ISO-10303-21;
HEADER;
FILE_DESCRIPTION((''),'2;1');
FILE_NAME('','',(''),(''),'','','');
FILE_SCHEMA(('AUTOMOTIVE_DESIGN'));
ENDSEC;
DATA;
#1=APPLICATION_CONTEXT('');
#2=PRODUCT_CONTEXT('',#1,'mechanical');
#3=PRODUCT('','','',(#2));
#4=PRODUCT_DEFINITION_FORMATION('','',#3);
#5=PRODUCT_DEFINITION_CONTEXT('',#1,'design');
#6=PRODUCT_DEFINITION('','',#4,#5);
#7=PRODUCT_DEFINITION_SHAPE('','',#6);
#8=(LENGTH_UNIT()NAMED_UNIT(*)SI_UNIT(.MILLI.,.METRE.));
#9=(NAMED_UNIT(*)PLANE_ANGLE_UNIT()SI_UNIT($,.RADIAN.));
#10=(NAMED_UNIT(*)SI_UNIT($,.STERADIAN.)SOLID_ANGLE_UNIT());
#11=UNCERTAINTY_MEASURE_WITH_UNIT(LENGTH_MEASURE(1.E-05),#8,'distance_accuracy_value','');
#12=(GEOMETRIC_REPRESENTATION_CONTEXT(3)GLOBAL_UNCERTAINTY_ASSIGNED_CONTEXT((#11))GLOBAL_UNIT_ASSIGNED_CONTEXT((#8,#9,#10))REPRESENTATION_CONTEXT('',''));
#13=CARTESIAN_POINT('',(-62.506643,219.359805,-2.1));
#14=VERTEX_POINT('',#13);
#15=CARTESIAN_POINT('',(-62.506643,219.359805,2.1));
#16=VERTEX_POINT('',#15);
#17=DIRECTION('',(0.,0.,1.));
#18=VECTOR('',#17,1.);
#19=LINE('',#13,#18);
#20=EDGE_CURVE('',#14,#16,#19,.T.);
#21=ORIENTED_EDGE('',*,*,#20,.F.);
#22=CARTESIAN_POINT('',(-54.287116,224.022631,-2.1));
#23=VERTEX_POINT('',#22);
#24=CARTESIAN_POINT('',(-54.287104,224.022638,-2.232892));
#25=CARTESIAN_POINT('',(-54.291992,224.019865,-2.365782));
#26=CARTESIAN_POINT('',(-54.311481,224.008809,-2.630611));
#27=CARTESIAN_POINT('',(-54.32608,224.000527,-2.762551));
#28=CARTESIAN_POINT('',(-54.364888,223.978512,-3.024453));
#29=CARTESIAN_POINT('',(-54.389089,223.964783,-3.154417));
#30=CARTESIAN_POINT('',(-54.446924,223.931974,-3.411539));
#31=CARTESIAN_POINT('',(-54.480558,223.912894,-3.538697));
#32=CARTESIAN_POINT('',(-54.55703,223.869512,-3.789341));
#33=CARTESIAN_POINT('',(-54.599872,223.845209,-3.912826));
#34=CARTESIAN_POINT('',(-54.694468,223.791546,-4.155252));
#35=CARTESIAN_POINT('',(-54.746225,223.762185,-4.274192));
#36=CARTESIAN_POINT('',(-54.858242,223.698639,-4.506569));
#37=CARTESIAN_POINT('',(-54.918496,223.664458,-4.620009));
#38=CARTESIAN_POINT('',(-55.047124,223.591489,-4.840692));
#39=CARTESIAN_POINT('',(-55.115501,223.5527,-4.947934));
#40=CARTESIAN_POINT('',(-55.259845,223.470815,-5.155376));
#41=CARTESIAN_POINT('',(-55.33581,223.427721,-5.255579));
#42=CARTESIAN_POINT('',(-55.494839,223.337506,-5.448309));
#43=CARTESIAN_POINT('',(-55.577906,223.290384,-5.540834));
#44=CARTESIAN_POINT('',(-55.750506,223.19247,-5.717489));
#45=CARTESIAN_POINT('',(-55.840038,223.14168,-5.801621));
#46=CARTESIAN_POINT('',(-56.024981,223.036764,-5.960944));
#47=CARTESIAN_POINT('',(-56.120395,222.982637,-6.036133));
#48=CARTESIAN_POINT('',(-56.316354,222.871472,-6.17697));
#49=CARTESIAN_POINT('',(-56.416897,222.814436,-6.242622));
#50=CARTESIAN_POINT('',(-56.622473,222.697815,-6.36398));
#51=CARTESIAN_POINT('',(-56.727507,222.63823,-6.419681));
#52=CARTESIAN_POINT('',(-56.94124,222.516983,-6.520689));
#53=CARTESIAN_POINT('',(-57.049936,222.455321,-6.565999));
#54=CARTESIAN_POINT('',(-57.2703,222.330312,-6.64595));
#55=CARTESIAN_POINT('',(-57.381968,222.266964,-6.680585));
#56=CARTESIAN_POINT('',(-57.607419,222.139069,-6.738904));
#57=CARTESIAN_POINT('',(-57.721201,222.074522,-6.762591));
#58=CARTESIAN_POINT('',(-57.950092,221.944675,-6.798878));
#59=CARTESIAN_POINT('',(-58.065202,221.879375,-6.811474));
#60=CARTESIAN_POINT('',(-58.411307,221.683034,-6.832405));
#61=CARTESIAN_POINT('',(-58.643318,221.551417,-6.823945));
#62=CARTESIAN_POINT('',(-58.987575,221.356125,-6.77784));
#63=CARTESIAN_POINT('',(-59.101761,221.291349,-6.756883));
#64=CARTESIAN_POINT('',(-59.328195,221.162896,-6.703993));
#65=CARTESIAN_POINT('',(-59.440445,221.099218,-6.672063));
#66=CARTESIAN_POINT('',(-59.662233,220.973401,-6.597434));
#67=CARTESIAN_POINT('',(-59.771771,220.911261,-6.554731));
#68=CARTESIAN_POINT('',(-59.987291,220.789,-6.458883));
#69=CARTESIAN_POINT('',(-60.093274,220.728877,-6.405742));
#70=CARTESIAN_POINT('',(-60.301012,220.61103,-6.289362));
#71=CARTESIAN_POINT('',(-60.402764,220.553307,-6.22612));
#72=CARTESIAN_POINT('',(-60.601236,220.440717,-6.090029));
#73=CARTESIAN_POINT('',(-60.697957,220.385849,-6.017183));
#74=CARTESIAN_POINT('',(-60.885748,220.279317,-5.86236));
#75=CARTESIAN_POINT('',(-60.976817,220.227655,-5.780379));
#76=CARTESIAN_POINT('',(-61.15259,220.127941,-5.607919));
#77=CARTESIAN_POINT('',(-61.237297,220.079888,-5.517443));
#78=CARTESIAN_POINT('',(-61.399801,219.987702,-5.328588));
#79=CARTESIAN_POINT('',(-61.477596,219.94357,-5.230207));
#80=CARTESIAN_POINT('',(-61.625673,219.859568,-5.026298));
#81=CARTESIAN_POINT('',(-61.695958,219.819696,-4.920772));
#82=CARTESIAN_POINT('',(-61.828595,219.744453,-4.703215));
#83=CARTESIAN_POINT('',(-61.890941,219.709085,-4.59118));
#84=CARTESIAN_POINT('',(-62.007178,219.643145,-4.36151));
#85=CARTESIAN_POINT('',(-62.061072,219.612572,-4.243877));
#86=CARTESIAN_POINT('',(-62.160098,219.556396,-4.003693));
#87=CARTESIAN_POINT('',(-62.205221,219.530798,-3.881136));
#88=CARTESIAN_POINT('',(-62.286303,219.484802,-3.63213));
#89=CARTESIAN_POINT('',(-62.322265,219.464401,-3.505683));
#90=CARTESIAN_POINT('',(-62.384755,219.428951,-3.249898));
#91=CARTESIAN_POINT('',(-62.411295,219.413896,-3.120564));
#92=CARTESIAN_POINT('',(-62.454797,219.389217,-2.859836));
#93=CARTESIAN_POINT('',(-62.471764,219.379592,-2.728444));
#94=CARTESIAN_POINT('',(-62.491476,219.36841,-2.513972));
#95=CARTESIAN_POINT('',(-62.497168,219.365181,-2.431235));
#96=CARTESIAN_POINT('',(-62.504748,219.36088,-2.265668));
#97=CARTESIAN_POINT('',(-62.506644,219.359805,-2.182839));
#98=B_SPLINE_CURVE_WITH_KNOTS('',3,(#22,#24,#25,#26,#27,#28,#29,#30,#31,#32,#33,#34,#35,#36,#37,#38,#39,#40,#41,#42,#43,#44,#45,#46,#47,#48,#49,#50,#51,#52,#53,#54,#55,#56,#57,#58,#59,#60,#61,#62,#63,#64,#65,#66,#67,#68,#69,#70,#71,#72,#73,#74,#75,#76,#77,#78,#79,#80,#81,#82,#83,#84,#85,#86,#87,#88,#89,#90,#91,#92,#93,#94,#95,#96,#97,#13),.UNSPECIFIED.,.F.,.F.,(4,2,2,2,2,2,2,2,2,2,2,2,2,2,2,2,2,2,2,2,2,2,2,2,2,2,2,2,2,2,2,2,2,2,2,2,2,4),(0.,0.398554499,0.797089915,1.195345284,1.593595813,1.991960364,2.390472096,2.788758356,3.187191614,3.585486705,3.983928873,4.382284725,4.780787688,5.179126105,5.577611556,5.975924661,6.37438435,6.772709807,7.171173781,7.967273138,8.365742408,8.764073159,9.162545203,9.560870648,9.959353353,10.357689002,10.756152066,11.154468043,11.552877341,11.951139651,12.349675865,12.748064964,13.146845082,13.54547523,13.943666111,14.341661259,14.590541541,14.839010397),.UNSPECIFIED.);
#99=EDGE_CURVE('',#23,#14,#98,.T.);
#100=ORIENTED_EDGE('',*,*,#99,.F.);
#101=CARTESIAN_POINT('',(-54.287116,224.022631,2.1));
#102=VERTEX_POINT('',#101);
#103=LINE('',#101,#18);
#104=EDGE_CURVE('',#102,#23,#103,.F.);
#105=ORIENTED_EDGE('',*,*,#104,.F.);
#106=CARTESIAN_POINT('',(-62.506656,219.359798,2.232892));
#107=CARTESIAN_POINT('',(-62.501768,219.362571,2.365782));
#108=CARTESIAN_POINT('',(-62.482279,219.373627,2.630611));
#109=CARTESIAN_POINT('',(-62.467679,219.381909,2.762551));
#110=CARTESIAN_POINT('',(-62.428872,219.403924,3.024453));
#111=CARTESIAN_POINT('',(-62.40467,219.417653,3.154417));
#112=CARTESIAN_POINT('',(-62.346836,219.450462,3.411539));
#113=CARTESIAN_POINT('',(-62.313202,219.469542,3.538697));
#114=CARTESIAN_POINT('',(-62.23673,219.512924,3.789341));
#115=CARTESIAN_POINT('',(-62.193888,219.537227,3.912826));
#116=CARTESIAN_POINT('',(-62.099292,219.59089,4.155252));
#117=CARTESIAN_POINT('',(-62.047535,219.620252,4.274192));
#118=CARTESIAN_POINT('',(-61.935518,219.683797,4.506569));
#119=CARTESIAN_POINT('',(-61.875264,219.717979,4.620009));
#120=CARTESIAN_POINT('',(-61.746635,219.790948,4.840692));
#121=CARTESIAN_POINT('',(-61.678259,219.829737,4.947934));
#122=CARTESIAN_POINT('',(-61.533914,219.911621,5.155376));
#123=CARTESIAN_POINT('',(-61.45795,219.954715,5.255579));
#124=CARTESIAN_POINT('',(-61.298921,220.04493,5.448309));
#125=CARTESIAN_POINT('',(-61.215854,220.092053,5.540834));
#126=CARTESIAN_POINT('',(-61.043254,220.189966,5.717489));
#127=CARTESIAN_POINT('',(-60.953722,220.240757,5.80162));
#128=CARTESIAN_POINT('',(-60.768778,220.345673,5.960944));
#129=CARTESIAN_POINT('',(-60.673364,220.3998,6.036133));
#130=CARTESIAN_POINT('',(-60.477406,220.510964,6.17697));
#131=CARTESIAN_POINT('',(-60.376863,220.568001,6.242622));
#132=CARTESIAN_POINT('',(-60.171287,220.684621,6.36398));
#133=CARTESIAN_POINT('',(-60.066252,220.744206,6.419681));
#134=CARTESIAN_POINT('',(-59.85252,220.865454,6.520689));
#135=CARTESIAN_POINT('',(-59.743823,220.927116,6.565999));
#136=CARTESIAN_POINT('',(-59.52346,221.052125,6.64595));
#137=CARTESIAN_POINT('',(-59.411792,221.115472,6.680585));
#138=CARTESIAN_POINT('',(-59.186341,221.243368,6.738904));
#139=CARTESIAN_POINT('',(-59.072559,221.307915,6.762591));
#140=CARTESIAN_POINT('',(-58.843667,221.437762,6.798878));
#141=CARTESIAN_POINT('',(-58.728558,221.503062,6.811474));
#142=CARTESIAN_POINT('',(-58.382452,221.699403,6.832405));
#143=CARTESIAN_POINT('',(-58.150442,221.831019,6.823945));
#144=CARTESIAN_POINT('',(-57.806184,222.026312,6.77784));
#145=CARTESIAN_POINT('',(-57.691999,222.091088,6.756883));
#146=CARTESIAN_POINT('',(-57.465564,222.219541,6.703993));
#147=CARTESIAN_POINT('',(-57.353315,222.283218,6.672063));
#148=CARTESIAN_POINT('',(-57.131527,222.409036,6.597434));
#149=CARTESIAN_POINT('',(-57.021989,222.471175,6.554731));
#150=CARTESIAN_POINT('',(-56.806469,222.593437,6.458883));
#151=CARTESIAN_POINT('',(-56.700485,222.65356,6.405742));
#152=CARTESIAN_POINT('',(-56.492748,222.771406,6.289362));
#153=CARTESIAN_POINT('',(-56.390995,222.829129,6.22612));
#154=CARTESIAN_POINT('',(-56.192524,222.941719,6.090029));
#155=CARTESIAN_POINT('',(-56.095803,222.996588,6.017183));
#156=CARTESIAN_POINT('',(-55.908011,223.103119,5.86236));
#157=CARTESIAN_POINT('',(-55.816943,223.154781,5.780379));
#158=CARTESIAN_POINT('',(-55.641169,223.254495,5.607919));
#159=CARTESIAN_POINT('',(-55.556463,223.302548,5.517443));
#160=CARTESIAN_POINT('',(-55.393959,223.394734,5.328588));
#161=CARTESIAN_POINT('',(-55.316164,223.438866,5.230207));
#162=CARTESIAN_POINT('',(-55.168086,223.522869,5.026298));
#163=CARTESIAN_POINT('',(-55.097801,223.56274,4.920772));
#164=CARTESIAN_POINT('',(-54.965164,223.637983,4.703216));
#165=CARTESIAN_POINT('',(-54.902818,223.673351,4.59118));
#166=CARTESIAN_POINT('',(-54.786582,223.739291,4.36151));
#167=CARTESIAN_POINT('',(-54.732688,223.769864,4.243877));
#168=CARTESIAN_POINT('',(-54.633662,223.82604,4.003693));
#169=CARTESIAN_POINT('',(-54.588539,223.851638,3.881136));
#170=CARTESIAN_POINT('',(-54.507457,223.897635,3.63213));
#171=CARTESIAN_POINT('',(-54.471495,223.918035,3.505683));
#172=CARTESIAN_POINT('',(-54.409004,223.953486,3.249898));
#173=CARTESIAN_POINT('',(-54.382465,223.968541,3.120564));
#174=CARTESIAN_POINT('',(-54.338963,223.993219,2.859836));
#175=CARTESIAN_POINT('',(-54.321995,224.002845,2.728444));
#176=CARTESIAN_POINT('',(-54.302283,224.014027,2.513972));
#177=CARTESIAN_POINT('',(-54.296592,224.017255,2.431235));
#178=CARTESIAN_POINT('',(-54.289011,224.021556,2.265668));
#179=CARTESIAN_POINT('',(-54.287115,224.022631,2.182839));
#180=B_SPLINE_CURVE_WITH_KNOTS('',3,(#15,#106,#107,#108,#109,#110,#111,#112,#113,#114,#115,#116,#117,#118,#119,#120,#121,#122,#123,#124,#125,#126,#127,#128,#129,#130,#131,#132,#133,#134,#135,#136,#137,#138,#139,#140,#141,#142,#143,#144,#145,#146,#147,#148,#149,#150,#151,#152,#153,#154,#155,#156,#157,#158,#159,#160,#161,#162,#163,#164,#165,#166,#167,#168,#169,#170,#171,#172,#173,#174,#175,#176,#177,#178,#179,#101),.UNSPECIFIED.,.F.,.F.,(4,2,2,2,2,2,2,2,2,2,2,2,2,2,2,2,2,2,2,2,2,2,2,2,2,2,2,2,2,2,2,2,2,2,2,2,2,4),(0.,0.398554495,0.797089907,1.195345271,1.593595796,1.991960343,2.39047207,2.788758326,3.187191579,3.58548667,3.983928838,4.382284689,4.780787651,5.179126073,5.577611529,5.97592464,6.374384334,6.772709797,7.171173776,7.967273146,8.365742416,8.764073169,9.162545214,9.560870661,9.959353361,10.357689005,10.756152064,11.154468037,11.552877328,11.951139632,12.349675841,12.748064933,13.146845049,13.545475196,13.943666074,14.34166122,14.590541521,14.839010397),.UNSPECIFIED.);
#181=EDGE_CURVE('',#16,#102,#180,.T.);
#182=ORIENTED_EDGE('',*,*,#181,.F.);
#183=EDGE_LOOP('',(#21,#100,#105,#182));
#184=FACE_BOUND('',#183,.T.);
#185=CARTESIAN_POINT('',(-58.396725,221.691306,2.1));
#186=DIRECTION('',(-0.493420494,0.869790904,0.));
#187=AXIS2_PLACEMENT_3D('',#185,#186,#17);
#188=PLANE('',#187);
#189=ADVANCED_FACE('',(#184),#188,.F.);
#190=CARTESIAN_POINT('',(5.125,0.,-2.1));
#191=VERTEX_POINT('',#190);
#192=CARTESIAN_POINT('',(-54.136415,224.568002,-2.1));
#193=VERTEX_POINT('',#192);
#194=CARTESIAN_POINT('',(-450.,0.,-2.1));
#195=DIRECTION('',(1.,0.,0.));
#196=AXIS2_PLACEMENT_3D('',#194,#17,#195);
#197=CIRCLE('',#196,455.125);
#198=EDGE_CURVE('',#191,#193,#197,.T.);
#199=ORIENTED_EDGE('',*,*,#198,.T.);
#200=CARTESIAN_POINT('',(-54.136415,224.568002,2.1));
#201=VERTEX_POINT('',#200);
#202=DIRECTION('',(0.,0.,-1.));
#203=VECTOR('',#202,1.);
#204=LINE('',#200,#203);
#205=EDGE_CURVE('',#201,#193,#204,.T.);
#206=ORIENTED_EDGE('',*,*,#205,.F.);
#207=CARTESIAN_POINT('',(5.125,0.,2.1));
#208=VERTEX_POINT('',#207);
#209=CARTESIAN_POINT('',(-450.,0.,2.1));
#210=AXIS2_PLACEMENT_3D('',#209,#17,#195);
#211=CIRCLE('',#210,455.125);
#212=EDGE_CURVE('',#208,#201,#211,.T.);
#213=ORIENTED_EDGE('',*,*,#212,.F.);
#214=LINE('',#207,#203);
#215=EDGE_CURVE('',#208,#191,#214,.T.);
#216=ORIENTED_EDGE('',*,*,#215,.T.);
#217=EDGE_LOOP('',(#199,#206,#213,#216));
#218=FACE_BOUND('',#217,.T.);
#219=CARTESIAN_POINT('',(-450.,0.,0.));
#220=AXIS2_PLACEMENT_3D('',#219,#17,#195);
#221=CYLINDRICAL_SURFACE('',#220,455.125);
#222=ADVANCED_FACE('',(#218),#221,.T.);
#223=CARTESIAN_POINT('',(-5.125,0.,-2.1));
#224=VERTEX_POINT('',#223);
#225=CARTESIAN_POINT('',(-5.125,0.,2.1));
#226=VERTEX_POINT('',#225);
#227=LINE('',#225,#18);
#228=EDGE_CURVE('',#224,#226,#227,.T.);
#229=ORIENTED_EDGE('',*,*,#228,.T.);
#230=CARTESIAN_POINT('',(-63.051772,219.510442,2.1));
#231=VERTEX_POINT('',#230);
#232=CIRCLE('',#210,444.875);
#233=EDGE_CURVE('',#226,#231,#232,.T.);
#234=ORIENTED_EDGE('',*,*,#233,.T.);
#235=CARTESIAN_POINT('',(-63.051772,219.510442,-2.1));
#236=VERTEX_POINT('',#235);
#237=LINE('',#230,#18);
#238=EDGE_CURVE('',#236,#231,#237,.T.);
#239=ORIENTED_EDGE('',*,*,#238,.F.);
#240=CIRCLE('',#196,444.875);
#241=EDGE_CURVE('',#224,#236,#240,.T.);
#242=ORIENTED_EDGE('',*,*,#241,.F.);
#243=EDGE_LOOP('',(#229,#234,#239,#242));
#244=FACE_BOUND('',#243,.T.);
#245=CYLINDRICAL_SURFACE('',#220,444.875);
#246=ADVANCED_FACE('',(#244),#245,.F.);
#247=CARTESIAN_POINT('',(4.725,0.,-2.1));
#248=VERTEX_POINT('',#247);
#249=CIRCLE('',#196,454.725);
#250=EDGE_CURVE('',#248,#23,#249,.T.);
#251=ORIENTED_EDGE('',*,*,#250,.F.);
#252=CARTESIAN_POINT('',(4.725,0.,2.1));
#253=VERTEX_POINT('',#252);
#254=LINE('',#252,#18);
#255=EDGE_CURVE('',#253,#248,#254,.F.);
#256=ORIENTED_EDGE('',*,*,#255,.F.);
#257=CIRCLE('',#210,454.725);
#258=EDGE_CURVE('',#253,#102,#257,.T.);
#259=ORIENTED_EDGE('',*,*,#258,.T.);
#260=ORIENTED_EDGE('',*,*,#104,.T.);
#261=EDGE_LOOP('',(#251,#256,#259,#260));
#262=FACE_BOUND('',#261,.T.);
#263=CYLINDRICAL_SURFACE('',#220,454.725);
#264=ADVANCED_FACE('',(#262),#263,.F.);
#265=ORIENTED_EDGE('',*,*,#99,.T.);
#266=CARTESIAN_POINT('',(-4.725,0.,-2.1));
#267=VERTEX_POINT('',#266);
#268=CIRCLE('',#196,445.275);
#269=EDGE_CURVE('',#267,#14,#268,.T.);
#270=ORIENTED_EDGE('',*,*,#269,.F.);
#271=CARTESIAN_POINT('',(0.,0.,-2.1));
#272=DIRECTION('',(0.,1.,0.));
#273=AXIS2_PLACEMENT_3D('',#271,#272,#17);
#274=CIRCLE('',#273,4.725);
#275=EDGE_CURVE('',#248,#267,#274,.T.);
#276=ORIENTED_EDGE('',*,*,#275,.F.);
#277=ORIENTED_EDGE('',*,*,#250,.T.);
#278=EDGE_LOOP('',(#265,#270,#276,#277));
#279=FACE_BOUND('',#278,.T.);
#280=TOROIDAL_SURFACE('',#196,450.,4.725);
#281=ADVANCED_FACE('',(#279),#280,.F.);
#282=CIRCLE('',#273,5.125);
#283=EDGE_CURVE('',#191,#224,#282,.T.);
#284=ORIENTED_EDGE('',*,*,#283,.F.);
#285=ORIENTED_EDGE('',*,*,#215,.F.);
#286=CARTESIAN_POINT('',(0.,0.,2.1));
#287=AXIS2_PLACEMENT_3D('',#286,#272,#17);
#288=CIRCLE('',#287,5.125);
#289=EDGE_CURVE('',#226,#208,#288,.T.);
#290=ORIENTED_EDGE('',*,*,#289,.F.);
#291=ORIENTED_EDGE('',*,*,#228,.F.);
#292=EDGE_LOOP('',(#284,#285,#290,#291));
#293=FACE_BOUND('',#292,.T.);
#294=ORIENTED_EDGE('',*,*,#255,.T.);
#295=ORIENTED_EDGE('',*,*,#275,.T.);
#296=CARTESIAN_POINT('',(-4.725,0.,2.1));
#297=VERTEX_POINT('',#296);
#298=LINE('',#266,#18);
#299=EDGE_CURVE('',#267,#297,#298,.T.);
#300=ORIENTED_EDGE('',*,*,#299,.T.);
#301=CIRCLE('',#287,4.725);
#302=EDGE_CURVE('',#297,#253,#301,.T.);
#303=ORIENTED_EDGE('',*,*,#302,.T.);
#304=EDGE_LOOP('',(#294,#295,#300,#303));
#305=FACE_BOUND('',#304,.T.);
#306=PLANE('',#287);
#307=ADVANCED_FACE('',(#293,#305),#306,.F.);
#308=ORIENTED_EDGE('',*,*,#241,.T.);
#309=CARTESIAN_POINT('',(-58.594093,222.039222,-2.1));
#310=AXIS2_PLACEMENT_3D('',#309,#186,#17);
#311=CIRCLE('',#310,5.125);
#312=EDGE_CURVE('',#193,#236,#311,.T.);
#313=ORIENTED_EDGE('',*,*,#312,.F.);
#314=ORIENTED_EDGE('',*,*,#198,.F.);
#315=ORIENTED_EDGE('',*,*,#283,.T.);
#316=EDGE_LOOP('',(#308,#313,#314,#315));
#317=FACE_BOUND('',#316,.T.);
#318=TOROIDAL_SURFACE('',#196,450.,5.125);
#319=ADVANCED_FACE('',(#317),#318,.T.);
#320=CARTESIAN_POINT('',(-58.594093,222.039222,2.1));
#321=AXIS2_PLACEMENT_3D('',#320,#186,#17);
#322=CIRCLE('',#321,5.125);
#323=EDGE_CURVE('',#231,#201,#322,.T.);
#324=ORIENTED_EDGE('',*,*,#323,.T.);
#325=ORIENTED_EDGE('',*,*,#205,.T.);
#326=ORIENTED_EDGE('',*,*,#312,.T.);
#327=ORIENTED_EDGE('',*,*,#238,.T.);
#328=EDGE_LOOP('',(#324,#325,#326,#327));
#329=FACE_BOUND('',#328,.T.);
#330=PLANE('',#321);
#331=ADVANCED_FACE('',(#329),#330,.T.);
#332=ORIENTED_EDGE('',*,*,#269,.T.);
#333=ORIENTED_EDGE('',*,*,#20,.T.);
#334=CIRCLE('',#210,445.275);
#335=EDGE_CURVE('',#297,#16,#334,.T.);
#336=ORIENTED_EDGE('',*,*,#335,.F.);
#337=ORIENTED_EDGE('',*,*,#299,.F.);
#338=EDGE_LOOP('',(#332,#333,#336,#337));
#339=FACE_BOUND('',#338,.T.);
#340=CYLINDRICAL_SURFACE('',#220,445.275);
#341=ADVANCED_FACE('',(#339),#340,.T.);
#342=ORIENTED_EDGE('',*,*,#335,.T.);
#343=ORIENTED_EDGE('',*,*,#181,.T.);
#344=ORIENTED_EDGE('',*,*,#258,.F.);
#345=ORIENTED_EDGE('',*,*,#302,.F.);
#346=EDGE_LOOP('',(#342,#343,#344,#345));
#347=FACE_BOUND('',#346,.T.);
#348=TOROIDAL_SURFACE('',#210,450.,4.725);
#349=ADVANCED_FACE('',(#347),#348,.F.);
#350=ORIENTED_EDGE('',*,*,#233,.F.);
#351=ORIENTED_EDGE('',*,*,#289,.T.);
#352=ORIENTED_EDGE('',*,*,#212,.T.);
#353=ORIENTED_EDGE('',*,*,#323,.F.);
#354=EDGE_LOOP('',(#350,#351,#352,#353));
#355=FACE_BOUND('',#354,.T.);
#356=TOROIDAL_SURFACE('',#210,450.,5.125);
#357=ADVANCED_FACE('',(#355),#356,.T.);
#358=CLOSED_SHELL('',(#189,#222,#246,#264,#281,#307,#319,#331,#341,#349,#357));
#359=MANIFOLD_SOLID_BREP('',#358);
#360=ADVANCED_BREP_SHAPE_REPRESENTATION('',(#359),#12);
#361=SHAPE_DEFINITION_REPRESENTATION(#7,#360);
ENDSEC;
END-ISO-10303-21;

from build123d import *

# Parameters (mm, degrees)
SHELL3_T = -0.4


with BuildPart() as part:
    # Sweep1: sweep along a path in Sketch3
    with BuildLine(Plane.XY) as sweep1_path:
        ThreePointArc((0, 0), (-14.895036805, 114.820168101), (-58.594093346, 222.039222292))
    # Sketch1 → Sweep1 (sweep)
    with BuildSketch(Plane(origin=(0, 0, 0), x_dir=(1, 0, 0), z_dir=(0, 1, 0))):
        with BuildLine():
            Line((-5.125, -2.1), (-5.125, 2.1))
            ThreePointArc((-5.125, 2.1), (0, 7.225), (5.125, 2.1))
            Line((5.125, 2.1), (5.125, -2.1))
            ThreePointArc((5.125, -2.1), (0, -7.225), (-5.125, -2.1))
        make_face()
    sweep(path=sweep1_path.line)

    # Shell3
    shell3_openings = [part.faces().sort_by_distance(p)[0] for p in [
        (0, 0, 0),
    ]]
    offset(amount=SHELL3_T, openings=shell3_openings, kind=Kind.INTERSECTION)


solid = part.part
